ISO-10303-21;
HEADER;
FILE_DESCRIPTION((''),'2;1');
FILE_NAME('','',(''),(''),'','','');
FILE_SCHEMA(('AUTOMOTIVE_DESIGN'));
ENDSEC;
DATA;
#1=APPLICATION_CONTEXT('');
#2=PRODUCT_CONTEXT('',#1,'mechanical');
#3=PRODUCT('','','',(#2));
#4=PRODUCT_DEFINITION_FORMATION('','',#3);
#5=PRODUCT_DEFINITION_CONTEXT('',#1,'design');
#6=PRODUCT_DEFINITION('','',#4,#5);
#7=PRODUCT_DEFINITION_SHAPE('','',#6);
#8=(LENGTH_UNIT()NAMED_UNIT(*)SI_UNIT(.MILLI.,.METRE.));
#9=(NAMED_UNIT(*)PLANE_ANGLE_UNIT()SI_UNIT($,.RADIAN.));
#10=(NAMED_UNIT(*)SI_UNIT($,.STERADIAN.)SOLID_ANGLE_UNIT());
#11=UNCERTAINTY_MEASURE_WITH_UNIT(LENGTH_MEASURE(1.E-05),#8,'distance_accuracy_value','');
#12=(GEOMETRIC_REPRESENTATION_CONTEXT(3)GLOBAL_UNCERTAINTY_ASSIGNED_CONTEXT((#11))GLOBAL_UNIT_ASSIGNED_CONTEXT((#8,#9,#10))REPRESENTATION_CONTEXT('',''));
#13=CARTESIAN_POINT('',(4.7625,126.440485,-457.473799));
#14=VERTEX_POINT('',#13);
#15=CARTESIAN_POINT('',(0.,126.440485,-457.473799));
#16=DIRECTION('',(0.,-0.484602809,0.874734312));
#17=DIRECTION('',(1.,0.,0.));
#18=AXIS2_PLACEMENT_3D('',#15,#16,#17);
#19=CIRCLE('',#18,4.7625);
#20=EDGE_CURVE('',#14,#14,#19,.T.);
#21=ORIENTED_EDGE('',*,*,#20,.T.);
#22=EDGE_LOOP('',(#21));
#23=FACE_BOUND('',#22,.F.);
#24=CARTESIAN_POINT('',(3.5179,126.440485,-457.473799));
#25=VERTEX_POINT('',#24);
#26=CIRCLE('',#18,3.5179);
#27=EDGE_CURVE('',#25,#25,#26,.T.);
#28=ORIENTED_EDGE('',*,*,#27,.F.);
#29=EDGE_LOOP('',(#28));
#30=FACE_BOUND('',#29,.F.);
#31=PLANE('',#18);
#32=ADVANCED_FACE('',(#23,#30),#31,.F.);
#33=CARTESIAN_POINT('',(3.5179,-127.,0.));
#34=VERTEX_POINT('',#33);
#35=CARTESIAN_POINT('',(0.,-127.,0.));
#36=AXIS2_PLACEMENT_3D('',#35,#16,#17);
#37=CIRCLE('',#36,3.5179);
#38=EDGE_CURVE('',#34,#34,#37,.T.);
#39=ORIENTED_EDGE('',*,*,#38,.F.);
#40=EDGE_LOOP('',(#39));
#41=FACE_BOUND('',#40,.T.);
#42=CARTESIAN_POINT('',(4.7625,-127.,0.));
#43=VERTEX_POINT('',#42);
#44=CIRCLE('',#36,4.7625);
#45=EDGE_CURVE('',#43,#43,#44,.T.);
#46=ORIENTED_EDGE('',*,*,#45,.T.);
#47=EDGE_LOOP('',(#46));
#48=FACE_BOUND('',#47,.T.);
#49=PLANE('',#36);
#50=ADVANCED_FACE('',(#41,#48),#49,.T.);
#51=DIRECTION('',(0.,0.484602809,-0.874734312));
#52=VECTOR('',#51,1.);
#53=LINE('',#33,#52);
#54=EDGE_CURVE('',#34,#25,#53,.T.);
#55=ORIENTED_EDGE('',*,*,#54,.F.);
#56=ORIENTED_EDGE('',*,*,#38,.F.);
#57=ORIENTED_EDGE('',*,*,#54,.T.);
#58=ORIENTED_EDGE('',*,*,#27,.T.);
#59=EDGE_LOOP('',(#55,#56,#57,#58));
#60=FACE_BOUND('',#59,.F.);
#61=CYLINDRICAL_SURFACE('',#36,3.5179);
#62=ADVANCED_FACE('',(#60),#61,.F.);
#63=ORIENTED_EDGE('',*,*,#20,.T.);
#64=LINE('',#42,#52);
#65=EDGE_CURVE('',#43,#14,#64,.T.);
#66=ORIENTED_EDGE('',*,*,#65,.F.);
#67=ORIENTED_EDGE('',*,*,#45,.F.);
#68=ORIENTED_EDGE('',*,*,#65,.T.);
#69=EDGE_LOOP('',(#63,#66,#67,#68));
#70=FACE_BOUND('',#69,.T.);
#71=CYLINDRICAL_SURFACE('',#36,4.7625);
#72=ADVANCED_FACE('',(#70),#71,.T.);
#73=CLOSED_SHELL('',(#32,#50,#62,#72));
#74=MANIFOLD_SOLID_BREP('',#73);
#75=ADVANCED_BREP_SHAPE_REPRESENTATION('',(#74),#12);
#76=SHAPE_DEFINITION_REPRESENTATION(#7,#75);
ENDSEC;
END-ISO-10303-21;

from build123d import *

# Parameters (mm, degrees)
F4_R     = 4.7625
F4_R_2   = 3.5179
F5_DEPTH = 522.986


with BuildPart() as f5:
    # F4 (on 3pt) → F5 (new body)
    with BuildSketch(Plane(origin=(0, -29.8246650894, 53.8351355405), x_dir=(1, 0, 0), z_dir=(0, -0.4846028091, 0.8747343125))):
        with Locations((0, -111.0912576832)):
            Circle(F4_R)
        with Locations((0, -111.0912576832)):
            Circle(F4_R_2, mode=Mode.SUBTRACT)
    extrude(amount=-F5_DEPTH)


solid = f5.part
